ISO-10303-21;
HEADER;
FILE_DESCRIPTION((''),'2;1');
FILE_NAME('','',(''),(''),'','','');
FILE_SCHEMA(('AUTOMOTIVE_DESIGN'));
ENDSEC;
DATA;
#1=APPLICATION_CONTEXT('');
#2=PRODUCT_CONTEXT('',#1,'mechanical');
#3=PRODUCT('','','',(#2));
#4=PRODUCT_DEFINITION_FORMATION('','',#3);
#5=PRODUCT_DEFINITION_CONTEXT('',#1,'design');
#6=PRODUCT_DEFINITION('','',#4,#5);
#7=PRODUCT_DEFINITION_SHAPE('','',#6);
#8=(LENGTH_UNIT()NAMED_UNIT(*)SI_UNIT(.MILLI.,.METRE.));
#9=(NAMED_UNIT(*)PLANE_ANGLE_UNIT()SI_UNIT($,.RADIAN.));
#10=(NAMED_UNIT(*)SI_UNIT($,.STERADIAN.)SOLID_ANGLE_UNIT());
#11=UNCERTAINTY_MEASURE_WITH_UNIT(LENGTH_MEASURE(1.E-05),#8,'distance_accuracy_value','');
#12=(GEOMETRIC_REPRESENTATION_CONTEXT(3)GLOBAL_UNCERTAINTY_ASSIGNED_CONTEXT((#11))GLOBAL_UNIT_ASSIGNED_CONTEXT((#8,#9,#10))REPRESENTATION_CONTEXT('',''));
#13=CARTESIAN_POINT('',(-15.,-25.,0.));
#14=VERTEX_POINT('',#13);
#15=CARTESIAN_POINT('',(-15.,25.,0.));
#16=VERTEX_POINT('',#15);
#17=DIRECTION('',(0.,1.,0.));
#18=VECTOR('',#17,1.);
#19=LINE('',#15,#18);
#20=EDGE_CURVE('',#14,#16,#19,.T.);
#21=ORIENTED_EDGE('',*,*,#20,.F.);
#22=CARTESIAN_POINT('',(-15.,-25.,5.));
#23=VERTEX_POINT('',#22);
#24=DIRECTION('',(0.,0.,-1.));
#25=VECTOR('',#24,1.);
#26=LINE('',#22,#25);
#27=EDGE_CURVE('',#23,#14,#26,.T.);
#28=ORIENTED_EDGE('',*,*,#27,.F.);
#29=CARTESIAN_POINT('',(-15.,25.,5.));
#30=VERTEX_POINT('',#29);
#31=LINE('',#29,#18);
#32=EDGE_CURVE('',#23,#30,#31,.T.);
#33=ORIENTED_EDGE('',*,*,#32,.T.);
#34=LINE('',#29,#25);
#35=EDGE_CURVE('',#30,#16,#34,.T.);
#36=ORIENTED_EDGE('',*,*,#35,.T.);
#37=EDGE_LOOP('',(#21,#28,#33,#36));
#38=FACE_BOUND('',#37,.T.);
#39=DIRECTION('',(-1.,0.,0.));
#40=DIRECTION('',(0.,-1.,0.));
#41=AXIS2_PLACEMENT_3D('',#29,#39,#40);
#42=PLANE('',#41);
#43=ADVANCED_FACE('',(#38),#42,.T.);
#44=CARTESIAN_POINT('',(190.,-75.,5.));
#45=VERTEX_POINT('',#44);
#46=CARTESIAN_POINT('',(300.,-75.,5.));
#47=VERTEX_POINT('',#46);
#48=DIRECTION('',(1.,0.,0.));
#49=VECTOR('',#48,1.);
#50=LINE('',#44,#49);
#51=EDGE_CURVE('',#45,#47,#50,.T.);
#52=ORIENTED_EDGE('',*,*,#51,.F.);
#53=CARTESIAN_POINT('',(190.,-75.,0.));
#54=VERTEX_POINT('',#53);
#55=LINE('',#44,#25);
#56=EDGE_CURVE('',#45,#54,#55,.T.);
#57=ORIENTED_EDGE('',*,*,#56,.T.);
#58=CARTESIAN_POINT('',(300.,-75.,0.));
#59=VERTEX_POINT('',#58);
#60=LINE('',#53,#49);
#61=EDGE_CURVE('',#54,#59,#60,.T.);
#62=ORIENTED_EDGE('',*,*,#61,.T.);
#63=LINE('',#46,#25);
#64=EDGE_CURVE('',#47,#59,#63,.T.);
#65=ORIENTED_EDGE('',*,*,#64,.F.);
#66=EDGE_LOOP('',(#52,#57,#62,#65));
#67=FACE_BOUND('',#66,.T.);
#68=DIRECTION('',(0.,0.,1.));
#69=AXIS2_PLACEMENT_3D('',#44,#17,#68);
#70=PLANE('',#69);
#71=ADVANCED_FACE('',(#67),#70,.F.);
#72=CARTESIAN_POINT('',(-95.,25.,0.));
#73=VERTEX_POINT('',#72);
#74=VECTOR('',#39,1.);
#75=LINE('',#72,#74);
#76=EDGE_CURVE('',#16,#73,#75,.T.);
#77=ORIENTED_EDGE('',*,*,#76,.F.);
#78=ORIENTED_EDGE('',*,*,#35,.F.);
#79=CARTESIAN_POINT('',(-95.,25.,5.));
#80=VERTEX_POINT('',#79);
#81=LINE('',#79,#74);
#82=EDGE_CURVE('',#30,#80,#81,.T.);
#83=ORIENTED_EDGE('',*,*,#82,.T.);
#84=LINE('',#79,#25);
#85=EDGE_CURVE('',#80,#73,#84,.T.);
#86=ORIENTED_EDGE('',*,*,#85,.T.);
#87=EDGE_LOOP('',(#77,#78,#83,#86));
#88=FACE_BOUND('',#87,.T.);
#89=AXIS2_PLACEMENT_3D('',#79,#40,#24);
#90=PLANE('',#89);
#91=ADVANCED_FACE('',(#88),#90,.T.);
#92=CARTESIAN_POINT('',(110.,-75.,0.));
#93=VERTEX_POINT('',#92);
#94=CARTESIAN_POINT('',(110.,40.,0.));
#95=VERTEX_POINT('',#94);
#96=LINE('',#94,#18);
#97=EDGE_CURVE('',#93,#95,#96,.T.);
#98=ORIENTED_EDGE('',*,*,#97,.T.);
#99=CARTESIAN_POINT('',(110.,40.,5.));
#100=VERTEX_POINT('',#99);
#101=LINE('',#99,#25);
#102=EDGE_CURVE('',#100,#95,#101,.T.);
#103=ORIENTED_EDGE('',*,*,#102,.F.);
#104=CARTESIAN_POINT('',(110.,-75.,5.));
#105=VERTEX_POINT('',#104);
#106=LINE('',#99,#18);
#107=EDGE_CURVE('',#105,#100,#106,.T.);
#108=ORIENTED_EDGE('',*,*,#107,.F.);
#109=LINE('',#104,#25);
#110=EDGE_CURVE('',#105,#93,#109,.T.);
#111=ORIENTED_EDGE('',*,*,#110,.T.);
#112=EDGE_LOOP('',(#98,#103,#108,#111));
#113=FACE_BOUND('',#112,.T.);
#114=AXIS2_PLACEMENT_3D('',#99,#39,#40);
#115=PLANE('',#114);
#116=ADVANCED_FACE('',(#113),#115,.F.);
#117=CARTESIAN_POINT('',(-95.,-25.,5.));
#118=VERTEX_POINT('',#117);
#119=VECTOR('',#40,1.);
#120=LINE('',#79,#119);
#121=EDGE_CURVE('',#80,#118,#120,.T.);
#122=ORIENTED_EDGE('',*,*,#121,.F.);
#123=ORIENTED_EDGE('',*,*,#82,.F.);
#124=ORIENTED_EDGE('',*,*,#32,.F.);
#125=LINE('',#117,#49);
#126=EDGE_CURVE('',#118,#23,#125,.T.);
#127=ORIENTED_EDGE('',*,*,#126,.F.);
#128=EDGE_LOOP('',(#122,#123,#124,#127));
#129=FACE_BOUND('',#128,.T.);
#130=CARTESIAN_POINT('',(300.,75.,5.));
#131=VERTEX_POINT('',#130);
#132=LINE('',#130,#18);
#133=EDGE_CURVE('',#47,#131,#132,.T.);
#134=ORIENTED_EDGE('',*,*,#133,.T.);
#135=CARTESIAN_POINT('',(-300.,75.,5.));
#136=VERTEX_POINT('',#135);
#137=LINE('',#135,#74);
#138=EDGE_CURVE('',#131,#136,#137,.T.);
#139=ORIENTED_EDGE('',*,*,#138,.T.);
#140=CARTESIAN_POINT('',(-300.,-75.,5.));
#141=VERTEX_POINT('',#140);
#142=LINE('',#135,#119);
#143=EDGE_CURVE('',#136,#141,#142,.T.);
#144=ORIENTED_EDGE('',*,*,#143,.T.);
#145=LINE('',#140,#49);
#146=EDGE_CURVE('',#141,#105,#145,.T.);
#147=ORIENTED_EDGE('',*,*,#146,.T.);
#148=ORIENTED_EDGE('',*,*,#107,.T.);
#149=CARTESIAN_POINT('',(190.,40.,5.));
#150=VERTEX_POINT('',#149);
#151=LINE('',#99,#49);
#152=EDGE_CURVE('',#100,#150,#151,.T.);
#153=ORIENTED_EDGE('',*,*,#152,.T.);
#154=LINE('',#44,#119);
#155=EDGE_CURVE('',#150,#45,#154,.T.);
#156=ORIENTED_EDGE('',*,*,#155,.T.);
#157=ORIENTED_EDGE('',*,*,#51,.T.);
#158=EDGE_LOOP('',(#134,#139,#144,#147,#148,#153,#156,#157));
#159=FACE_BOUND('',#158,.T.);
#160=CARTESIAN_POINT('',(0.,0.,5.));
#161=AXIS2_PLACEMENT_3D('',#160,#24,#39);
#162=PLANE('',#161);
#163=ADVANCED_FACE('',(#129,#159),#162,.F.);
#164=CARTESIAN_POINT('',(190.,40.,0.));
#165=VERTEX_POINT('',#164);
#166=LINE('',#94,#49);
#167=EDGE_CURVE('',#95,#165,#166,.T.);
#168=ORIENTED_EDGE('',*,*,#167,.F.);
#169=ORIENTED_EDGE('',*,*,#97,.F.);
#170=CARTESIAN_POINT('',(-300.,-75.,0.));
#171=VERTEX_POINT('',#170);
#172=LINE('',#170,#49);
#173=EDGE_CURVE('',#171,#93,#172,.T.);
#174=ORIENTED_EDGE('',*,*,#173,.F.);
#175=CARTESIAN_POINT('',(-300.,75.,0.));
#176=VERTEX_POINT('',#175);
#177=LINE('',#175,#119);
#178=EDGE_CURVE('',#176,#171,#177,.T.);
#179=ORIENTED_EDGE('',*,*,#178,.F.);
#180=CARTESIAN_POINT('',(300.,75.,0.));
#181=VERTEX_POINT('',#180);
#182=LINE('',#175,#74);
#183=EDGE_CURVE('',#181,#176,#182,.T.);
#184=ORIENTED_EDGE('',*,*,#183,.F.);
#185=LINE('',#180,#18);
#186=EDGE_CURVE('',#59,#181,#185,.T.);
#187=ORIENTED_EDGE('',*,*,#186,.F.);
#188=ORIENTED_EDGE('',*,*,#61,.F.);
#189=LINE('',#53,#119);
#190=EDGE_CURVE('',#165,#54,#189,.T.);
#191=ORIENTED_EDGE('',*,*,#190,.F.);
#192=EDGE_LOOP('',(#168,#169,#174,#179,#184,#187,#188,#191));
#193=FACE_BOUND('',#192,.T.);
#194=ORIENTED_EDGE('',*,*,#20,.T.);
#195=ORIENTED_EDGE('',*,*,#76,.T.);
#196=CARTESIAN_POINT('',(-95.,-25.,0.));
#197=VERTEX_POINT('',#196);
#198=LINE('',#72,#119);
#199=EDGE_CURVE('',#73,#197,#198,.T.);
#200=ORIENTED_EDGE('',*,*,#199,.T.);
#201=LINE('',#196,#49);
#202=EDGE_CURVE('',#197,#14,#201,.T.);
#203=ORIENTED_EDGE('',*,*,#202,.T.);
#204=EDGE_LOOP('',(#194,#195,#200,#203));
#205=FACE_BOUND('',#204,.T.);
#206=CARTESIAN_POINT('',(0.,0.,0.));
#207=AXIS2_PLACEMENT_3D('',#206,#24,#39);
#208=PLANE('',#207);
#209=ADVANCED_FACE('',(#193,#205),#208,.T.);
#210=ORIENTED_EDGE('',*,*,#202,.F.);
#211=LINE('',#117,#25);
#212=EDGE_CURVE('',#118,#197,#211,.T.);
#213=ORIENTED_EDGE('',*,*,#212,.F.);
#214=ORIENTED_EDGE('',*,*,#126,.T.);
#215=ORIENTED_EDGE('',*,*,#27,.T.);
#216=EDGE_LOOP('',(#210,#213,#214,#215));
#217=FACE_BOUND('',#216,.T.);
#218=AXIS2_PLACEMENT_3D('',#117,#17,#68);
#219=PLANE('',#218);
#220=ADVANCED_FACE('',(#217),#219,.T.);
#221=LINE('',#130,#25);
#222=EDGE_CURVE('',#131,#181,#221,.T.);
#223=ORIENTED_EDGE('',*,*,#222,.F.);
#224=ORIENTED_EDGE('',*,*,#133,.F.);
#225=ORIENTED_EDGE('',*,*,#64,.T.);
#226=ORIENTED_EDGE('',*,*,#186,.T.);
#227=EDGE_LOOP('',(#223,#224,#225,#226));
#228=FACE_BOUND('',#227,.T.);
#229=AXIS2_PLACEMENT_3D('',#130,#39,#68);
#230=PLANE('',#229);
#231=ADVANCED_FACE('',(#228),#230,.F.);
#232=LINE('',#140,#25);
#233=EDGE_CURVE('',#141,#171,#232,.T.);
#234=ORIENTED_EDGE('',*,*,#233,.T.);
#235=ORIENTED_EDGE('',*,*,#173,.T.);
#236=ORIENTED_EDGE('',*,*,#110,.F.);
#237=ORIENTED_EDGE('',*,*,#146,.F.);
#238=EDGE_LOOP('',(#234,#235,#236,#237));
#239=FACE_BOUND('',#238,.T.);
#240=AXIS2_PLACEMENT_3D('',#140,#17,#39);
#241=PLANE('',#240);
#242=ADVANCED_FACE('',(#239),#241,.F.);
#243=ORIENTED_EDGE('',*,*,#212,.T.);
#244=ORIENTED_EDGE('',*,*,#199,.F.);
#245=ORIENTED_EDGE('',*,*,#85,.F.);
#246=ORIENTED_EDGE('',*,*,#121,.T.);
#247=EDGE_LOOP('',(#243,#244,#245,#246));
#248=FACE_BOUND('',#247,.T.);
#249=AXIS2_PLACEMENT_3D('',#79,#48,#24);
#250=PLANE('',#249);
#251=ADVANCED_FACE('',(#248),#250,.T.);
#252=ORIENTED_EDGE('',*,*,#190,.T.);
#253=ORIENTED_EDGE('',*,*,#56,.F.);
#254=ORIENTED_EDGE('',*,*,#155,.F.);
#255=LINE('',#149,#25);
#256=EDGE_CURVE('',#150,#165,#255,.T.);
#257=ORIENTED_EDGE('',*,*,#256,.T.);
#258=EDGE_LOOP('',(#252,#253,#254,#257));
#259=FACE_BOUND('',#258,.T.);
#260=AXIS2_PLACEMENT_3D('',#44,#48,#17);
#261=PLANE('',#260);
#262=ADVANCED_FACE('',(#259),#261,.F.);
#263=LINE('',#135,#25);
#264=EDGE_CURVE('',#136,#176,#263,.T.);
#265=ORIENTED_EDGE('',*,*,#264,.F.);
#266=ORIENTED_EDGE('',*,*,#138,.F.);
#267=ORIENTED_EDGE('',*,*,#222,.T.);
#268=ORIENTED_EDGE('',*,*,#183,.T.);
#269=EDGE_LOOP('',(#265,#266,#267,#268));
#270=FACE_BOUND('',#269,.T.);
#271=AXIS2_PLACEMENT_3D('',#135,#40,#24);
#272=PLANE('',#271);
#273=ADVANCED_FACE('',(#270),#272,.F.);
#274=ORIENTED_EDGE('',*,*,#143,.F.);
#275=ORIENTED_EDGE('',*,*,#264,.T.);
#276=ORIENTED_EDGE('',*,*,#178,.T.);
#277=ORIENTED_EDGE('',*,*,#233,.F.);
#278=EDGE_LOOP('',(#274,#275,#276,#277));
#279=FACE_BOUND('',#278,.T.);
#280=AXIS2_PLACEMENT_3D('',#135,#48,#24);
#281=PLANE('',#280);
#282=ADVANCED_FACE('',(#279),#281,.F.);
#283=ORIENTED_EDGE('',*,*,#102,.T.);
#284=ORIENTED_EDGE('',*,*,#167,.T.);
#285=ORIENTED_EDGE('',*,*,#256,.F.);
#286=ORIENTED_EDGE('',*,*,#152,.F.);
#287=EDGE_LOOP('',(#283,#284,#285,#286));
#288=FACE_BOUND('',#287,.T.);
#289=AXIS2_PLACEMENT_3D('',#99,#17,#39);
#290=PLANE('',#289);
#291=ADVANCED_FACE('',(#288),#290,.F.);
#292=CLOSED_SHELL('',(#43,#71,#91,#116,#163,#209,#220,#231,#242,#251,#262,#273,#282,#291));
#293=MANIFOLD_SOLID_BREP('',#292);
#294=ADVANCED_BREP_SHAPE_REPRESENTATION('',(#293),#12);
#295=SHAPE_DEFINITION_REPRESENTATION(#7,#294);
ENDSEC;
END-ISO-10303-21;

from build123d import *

# Parameters (mm, degrees)
SKETCH1_W           = 80
SKETCH1_H           = 50
BOSS_EXTRUDE1_DEPTH = 5


with BuildPart() as part:
    # Sketch1 → Boss-Extrude1 (new body)
    with BuildSketch(Plane.XY):
        Polygon((-300, 75), (300, 75), (300, -75), (190, -75), (190, 40), (110, 40), (110, -75), (-300, -75), align=None)
        with Locations((-55, 0)):
            Rectangle(SKETCH1_W, SKETCH1_H, mode=Mode.SUBTRACT)
    extrude(amount=BOSS_EXTRUDE1_DEPTH)


solid = part.part
